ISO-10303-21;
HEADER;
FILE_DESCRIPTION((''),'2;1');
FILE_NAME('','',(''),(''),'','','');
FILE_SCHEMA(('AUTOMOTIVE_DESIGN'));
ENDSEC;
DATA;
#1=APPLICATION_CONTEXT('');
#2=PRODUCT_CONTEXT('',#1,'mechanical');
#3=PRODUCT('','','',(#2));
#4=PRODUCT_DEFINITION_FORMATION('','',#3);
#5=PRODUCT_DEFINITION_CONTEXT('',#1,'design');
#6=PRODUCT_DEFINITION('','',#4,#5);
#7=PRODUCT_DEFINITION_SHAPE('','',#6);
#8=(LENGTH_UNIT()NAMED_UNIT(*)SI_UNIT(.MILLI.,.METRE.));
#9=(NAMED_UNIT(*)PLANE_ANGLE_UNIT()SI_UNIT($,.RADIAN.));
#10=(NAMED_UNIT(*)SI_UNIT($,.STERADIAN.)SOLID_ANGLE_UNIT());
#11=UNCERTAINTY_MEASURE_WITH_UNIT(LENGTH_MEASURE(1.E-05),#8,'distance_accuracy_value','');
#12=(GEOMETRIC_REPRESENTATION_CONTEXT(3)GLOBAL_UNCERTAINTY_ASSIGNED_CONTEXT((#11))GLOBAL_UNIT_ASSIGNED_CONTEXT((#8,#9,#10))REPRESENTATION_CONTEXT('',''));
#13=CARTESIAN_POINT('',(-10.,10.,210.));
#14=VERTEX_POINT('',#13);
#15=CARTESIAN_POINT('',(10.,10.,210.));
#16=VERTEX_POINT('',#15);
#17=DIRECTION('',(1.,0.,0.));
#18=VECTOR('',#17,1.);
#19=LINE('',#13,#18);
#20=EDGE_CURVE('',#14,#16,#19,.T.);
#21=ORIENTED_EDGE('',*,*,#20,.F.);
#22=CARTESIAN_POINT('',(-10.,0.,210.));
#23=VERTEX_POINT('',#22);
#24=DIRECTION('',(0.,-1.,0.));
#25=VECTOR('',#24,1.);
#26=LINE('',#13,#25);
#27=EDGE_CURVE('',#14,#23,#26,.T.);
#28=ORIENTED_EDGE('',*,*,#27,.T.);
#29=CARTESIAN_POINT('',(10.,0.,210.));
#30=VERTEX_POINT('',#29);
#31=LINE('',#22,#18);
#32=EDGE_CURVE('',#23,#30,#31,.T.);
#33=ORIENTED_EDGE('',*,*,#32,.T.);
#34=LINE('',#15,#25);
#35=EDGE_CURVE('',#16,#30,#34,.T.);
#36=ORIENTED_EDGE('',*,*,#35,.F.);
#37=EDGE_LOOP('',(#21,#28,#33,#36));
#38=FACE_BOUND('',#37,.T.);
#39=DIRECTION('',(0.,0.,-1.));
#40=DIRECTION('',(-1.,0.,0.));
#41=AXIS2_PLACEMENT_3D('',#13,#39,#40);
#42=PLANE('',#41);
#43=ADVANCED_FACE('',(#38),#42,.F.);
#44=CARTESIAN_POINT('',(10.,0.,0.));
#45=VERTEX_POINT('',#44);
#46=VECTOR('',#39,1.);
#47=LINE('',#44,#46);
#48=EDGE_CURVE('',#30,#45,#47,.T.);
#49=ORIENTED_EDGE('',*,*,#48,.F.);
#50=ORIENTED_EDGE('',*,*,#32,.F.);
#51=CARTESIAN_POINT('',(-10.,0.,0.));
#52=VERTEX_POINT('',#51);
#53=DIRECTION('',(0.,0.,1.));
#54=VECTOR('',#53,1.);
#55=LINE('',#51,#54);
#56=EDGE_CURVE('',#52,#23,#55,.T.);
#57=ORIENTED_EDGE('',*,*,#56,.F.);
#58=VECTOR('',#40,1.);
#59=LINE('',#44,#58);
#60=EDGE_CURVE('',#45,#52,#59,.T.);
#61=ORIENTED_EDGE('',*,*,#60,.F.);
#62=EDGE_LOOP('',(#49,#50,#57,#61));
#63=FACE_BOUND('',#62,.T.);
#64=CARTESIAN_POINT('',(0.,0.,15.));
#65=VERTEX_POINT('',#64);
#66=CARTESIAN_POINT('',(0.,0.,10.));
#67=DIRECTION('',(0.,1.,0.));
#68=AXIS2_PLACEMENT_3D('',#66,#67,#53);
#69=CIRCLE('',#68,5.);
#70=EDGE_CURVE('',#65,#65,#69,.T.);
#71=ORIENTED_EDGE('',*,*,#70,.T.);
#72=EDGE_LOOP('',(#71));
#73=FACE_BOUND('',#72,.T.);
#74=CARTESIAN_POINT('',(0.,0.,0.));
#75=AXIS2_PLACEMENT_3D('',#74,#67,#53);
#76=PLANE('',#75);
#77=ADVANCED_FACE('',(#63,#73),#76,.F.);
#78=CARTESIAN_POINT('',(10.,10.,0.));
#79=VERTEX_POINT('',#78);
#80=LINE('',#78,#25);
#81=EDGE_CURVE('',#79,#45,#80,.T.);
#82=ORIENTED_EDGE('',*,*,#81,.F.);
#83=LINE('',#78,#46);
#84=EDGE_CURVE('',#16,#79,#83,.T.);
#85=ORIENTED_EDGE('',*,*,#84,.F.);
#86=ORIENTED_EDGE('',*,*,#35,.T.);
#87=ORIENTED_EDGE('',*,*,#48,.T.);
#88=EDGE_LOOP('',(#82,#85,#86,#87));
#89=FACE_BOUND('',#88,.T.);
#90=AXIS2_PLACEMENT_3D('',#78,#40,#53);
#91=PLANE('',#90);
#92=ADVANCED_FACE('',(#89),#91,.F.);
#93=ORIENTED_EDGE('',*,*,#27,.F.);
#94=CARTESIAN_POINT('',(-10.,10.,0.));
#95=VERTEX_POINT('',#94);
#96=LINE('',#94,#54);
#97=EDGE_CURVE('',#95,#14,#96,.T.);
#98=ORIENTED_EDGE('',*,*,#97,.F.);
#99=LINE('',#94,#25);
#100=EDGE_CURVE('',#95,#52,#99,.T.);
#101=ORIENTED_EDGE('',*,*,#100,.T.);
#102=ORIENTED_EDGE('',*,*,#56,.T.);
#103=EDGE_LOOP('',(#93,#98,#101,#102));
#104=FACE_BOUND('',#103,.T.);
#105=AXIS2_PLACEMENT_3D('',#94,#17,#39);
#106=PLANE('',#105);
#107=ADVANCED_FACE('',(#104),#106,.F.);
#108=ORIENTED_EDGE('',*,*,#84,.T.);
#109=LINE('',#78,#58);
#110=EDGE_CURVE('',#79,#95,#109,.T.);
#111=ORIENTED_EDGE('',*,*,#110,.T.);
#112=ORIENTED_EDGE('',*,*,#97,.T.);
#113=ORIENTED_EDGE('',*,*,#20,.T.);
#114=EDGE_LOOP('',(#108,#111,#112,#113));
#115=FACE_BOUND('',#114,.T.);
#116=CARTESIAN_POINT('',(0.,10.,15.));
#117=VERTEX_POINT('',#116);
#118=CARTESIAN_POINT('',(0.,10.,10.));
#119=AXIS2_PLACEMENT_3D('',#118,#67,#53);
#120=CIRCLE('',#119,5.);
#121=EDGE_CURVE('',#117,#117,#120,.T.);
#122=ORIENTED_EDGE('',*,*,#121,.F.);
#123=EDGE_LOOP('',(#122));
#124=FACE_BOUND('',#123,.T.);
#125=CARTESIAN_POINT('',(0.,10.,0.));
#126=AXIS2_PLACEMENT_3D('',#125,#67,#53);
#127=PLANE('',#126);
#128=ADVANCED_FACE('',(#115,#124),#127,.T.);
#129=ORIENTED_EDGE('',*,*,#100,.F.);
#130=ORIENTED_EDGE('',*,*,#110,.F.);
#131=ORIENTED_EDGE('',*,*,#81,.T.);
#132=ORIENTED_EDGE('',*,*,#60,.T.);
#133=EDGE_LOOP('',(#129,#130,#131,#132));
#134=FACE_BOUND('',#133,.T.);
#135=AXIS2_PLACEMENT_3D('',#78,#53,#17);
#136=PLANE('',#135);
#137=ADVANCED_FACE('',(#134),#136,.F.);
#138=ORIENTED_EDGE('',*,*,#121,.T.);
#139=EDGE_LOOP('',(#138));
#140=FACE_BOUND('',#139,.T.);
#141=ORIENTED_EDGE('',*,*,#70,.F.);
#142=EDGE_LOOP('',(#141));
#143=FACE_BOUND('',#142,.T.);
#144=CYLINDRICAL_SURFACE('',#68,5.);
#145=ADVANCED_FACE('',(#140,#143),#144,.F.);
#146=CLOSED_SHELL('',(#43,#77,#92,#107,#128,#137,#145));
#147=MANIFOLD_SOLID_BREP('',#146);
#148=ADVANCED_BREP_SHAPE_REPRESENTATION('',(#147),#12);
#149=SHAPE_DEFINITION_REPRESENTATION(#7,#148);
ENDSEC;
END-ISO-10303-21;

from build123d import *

# Parameters (mm, degrees)
SKETCH1_W           = 20
SKETCH1_H           = 210
BOSS_EXTRUDE2_DEPTH = 10
SKETCH2_R           = 5
CUT_EXTRUDE1_DEPTH  = 10


with BuildPart() as part:
    # Sketch1 → Boss-Extrude2 (new body)
    with BuildSketch(Plane(origin=(0, 0, 0), x_dir=(1, 0, 0), z_dir=(0, 1, 0))):
        with Locations((0, -105)):
            Rectangle(SKETCH1_W, SKETCH1_H)
    extrude(amount=BOSS_EXTRUDE2_DEPTH)

    # Sketch2 → Cut-Extrude1 (cut)
    with BuildSketch(Plane(origin=(0, 10, 0), x_dir=(1, 0, 0), z_dir=(0, 1, 0))):
        with Locations(Location((0, -10, 0), (0, 0, 270))):
            Circle(SKETCH2_R)
    extrude(amount=-CUT_EXTRUDE1_DEPTH, mode=Mode.SUBTRACT)


solid = part.part
